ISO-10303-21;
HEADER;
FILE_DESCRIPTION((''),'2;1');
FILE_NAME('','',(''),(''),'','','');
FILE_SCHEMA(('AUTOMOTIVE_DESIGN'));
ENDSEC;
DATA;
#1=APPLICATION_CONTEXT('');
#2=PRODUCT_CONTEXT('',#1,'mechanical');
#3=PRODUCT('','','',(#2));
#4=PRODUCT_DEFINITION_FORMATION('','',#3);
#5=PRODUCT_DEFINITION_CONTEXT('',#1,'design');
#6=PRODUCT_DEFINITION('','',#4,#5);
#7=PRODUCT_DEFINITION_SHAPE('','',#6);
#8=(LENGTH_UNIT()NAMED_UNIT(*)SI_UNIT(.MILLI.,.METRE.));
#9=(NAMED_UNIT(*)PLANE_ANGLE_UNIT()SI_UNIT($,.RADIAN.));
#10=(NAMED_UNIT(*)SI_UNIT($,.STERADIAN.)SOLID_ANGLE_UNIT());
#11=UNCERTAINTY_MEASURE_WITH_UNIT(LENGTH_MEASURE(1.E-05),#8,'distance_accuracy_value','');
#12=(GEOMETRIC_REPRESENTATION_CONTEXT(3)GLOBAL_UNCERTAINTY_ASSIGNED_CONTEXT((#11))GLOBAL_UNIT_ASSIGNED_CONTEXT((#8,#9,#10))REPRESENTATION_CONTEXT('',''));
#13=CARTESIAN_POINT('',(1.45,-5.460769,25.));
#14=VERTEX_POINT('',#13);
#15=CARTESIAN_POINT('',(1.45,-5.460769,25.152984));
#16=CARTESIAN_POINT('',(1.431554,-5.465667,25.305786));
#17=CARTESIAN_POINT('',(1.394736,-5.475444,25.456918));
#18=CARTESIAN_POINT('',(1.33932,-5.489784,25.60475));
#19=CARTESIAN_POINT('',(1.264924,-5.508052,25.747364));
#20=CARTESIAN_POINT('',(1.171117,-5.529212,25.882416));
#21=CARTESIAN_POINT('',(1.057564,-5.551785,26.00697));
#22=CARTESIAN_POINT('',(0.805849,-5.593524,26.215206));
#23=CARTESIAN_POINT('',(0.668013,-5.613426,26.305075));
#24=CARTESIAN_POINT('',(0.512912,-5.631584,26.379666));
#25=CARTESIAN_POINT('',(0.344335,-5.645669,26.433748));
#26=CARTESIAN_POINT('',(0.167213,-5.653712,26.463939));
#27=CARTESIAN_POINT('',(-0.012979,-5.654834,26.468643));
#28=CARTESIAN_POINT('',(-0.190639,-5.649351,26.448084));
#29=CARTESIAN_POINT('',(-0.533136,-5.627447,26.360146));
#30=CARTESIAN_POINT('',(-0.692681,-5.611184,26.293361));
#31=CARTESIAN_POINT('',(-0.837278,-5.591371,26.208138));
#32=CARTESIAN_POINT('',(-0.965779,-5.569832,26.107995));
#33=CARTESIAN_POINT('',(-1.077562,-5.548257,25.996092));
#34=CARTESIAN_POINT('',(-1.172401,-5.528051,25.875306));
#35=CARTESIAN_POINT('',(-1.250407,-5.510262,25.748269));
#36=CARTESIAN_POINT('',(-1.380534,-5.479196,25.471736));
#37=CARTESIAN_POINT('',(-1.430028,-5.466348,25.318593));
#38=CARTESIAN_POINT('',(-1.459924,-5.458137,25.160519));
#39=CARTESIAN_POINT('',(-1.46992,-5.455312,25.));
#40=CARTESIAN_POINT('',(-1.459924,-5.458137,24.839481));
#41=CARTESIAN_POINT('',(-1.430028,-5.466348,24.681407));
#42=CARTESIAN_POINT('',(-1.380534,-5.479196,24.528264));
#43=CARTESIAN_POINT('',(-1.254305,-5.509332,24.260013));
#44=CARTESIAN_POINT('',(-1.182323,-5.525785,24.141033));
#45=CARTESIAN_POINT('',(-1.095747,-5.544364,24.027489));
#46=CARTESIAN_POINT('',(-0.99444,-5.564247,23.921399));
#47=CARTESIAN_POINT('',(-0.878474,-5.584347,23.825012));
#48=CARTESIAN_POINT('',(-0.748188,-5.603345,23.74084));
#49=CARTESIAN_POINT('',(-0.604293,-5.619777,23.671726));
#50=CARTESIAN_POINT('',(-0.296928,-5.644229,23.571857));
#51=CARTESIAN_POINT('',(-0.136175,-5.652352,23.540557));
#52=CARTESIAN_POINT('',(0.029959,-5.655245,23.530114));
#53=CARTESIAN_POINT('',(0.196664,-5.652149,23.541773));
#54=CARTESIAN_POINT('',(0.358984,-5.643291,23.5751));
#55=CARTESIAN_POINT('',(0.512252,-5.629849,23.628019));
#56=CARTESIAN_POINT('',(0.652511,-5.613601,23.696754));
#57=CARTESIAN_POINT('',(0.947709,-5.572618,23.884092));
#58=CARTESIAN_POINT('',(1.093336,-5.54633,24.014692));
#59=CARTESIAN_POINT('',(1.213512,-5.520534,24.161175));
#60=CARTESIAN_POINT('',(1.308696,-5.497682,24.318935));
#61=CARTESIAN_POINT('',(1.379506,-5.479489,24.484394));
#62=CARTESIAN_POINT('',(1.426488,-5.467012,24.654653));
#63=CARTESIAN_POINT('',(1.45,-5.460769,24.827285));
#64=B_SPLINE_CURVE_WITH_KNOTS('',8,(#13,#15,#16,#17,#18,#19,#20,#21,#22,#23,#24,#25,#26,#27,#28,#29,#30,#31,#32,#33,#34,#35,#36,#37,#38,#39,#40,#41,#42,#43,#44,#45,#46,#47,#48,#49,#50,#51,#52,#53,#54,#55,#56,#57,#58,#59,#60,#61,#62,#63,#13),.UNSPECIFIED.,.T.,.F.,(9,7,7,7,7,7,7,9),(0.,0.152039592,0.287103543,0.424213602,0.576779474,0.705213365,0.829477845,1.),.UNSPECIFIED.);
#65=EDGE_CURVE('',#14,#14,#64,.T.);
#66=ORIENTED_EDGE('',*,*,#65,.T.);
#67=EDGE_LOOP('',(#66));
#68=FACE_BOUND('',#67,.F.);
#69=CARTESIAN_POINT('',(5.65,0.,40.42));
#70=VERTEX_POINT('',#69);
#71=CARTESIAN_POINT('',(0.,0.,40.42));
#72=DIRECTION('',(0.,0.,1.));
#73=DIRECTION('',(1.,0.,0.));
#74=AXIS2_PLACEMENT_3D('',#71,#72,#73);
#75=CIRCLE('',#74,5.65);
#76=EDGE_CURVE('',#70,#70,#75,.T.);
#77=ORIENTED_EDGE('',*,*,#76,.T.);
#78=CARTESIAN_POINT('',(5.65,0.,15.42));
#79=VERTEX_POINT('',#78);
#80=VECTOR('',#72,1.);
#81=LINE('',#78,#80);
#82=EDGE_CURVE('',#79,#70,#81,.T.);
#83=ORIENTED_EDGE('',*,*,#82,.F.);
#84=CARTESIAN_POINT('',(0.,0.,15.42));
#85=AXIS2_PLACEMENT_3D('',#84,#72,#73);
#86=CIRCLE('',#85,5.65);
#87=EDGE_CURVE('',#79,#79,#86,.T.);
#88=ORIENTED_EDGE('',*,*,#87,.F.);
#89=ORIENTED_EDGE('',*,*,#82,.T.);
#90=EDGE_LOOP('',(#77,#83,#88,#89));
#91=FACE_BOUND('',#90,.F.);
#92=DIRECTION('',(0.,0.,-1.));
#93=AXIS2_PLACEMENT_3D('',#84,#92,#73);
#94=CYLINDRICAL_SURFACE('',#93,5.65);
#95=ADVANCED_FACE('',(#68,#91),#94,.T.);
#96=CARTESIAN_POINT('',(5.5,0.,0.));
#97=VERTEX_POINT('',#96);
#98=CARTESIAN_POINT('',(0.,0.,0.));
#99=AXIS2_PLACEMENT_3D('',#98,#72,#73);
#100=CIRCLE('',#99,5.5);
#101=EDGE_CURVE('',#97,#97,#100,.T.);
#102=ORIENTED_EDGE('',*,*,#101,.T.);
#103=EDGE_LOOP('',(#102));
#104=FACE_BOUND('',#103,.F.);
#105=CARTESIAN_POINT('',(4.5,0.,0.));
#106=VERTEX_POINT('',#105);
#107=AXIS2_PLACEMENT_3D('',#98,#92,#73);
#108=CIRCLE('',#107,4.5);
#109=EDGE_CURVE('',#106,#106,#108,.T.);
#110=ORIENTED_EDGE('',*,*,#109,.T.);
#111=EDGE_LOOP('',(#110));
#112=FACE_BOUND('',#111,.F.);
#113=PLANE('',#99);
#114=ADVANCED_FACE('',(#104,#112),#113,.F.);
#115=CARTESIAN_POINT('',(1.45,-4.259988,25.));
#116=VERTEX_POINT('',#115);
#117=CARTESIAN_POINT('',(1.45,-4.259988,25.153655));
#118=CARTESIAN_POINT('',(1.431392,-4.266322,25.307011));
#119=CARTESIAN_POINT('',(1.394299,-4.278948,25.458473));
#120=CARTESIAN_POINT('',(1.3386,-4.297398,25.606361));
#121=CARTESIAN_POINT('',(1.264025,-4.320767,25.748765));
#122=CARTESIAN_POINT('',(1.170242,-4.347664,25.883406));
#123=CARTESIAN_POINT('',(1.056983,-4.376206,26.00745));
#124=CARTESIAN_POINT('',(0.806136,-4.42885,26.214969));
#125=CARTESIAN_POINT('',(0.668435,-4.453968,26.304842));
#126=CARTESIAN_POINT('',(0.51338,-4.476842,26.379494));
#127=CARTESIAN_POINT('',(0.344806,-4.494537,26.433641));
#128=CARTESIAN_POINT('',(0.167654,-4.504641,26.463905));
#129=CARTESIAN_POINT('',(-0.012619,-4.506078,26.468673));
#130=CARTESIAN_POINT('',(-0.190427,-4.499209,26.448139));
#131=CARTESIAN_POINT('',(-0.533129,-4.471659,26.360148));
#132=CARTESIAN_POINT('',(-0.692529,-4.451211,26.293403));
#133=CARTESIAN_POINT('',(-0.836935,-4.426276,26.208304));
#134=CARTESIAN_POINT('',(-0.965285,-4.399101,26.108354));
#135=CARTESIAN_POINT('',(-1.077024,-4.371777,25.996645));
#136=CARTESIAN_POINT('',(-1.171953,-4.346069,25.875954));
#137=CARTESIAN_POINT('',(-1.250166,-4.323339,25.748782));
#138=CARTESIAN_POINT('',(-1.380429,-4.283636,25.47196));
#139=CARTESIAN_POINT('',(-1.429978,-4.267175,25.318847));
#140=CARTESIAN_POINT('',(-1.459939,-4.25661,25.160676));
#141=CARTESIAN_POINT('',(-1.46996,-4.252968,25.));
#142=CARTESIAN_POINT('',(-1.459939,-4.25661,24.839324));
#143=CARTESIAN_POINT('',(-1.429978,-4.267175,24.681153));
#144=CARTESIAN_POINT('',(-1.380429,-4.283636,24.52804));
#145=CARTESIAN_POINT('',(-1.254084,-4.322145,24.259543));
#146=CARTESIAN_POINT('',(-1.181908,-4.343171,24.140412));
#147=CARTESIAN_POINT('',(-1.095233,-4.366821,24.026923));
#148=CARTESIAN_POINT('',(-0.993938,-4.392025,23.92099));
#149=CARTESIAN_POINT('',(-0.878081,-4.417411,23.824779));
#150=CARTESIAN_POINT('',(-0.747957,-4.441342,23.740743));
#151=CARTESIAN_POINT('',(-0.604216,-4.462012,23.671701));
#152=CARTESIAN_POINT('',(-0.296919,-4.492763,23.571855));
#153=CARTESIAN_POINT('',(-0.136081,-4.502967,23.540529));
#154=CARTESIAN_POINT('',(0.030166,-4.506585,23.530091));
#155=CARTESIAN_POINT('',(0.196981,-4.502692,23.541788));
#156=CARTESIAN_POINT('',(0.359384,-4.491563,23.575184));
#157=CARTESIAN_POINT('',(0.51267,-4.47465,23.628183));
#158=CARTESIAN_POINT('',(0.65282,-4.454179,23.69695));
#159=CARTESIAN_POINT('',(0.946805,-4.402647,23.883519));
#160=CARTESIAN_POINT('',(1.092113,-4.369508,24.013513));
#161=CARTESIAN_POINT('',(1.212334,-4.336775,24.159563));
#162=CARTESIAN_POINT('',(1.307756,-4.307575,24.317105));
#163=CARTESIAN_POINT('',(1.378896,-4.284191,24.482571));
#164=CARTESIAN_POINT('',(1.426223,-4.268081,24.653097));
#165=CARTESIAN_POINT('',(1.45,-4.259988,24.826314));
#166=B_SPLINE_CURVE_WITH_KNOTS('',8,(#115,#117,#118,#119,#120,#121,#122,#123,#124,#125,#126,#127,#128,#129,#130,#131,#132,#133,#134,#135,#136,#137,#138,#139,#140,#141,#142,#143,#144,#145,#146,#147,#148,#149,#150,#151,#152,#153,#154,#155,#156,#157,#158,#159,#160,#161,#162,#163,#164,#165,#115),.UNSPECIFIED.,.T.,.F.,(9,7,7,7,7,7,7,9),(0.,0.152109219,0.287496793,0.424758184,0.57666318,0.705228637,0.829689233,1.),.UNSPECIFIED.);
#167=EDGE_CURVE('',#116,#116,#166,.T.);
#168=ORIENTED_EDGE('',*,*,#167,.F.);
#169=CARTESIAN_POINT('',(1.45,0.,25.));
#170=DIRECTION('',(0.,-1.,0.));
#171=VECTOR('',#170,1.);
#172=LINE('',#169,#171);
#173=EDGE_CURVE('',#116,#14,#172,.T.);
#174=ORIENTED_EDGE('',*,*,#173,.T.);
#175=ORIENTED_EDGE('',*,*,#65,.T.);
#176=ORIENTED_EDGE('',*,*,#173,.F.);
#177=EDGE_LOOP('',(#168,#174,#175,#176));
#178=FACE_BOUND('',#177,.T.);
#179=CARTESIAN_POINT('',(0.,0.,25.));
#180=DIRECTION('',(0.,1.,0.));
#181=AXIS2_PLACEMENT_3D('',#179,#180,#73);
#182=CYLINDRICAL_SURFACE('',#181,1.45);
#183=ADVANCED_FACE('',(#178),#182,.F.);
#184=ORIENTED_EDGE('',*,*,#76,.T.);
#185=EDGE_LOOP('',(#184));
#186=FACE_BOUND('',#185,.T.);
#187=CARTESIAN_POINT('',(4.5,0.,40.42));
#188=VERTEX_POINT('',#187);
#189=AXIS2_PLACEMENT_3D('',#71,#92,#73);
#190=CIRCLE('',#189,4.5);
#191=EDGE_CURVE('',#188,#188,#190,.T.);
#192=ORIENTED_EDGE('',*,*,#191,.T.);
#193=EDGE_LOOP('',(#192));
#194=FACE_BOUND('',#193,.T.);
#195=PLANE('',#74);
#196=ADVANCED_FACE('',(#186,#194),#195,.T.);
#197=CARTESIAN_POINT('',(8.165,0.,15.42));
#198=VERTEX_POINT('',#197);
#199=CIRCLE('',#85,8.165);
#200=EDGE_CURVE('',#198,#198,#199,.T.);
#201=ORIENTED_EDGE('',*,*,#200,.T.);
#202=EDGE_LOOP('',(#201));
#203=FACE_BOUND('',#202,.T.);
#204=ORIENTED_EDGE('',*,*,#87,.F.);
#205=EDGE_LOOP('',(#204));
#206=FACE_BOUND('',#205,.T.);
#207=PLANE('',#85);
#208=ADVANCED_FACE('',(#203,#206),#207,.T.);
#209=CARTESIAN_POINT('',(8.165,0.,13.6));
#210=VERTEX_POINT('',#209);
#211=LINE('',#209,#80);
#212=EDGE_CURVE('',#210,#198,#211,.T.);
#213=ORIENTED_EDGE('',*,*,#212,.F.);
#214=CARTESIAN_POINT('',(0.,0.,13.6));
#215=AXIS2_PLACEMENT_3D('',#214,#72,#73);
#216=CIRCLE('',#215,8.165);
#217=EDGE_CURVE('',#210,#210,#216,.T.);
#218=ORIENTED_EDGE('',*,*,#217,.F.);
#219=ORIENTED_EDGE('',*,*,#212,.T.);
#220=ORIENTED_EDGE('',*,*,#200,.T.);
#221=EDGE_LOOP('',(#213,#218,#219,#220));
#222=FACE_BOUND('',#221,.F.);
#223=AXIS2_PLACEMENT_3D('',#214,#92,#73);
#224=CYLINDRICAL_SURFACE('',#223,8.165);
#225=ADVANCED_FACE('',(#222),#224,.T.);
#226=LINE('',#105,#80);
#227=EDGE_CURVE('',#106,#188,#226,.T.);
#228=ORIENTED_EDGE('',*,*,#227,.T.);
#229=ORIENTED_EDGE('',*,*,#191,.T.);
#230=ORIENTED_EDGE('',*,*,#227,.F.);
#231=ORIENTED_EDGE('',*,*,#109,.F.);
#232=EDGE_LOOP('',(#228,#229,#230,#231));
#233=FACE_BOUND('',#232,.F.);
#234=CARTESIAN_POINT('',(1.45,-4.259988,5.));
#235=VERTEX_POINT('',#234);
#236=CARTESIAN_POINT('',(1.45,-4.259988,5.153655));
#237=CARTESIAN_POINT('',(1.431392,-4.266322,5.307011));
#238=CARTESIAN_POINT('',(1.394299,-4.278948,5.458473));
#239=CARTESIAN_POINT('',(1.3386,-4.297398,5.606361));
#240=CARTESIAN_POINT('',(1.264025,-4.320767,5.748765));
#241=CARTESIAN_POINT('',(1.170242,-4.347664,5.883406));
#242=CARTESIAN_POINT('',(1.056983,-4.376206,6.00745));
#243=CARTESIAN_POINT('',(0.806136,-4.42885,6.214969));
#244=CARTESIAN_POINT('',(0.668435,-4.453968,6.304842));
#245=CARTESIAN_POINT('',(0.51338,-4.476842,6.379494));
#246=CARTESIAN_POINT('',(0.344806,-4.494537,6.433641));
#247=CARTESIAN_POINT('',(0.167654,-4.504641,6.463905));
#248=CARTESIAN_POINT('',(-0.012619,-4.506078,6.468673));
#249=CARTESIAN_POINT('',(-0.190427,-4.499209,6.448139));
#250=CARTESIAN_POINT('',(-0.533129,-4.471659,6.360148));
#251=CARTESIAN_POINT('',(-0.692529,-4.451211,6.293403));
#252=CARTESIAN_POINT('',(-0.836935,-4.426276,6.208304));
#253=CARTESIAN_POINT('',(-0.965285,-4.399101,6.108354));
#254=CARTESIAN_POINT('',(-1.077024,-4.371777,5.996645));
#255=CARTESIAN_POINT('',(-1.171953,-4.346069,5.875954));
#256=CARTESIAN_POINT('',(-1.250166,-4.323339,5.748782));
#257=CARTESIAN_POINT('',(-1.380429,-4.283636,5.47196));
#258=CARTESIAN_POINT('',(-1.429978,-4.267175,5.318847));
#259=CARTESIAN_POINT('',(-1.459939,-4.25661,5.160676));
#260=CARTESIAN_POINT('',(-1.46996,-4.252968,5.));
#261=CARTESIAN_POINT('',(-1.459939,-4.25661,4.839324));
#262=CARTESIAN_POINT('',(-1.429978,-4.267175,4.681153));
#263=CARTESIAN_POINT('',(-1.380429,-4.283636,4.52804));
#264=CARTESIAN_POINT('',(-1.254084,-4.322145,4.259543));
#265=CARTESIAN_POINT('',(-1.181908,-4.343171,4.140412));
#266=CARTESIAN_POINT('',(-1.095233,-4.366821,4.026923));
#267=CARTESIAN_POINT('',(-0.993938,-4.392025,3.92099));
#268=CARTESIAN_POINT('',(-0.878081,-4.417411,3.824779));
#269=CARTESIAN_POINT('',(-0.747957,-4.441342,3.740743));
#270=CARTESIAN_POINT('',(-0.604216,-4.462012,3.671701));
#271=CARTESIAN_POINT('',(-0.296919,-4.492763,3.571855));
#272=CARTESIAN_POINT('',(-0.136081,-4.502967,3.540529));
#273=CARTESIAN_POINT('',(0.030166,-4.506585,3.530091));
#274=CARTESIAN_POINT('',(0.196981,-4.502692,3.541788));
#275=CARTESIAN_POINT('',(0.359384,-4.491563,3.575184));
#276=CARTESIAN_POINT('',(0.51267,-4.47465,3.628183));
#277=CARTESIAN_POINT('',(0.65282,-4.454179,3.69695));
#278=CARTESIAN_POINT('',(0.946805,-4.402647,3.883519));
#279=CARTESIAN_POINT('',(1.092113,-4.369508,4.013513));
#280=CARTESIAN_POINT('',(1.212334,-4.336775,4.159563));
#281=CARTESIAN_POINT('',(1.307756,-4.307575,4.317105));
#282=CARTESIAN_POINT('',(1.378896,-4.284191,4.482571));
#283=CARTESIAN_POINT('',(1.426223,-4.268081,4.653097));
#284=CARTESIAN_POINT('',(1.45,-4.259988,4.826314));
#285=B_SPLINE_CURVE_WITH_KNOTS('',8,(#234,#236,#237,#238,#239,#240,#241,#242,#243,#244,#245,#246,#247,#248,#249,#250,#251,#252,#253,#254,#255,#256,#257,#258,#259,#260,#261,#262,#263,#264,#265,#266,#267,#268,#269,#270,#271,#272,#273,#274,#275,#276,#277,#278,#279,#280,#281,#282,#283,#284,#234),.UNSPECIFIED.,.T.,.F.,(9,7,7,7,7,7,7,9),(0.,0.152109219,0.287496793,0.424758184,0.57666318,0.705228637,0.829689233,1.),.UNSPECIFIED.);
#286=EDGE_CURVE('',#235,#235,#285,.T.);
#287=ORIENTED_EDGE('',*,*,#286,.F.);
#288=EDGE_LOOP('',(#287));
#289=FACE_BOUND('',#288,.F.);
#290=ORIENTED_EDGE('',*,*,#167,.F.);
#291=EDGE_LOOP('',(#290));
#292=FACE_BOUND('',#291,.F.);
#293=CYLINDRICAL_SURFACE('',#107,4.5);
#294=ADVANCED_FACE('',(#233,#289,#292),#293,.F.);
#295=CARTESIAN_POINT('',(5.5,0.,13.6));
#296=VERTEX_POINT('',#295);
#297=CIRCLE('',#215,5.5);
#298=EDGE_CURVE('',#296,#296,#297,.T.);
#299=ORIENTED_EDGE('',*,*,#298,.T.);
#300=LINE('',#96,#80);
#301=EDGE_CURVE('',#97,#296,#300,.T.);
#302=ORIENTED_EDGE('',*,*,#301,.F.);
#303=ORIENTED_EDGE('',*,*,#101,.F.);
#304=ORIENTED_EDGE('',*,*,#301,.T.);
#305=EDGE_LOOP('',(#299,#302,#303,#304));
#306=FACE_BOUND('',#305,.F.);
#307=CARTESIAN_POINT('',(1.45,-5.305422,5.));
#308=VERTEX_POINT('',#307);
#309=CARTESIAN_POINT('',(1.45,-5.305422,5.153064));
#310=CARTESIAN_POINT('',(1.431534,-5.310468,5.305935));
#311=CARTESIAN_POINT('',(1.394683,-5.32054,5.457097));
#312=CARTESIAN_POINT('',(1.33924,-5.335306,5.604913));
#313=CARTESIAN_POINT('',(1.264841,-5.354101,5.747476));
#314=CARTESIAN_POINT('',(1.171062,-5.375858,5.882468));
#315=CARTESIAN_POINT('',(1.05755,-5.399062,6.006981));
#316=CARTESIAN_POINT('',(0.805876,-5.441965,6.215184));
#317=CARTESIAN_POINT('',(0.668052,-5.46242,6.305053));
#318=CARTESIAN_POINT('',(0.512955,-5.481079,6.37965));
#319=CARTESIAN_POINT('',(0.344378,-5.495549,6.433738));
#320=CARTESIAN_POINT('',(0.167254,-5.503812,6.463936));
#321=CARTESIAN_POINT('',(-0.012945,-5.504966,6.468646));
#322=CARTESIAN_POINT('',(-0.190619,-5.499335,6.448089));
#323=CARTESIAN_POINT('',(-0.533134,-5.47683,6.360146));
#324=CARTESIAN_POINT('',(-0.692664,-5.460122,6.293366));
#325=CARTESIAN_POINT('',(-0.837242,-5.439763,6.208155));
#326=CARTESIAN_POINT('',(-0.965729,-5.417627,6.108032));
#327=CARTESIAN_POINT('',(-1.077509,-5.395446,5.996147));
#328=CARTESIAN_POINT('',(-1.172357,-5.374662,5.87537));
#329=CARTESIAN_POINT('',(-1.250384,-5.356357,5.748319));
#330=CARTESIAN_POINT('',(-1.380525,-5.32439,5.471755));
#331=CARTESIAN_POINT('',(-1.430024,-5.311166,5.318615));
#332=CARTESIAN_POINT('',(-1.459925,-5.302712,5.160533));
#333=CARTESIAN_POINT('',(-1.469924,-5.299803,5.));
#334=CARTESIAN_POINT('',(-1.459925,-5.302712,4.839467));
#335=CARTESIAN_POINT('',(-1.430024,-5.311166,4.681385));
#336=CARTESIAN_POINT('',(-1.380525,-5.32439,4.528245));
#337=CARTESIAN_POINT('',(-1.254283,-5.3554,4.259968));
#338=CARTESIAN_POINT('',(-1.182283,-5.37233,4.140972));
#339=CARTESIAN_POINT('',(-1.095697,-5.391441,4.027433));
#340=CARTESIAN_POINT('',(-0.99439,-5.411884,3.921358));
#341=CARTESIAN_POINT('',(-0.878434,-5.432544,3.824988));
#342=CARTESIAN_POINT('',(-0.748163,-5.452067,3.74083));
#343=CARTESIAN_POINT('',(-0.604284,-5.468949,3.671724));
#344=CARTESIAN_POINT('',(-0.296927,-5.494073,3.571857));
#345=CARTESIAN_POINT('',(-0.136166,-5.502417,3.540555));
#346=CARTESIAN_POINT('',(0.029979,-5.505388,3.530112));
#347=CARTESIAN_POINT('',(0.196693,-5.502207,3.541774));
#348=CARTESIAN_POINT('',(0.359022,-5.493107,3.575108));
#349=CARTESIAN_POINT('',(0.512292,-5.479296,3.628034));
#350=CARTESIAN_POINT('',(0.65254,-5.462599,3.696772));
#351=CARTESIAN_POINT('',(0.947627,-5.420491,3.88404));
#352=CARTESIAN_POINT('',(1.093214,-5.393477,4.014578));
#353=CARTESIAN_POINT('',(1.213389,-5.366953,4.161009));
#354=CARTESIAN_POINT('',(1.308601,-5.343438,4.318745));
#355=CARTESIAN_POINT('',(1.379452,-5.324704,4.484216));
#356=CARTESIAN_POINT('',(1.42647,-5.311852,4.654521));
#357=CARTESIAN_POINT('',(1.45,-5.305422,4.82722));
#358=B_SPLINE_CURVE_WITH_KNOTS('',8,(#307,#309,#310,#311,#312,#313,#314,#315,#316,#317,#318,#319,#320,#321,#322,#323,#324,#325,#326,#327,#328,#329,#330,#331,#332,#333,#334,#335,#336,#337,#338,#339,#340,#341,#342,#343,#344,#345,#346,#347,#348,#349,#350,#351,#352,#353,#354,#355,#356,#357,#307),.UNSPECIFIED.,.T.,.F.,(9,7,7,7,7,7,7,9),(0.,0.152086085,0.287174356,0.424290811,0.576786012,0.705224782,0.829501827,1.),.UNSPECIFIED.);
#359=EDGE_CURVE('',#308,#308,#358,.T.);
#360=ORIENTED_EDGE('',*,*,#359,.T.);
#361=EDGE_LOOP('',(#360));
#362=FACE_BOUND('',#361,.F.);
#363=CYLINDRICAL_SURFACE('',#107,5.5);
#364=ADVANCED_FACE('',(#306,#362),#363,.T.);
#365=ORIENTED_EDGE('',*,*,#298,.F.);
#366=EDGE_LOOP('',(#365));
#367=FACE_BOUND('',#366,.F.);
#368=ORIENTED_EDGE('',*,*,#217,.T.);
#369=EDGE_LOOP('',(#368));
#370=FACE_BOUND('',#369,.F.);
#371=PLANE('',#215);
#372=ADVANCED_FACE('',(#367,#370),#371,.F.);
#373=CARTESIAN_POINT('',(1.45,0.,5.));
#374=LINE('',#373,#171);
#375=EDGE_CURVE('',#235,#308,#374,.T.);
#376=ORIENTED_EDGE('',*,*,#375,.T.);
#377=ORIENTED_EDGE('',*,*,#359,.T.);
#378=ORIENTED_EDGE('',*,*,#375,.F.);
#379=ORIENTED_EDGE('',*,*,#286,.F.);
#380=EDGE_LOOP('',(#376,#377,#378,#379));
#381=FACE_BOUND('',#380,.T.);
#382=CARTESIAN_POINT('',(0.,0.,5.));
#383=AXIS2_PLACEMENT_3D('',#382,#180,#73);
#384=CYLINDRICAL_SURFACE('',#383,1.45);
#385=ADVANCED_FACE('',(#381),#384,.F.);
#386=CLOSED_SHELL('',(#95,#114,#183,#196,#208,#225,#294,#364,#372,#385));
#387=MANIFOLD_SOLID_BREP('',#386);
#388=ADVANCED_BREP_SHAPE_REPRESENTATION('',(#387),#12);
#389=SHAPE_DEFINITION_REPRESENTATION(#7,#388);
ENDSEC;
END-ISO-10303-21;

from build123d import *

# Parameters (mm, degrees)
F0_R     = 5.5
F1_DEPTH = 13.6
F2_R     = 8.165
F3_DEPTH = 1.82
F4_R     = 5.65
F5_DEPTH = 25
F6_R     = 4.5
F7_DEPTH = 40.421
F8_R     = 1.45
F9_DEPTH = 12


with BuildPart() as f1:
    # F0 (on Top) → F1 (new body)
    with BuildSketch(Plane.XY):
        Circle(F0_R)
    extrude(amount=F1_DEPTH)

    # F2 (on face) → F3 (join)
    with BuildSketch(Plane.XY.offset(13.6)):
        Circle(F2_R)
    extrude(amount=F3_DEPTH)

    # F4 (on face) → F5 (join)
    with BuildSketch(Plane.XY.offset(15.42)):
        Circle(F4_R)
    extrude(amount=F5_DEPTH)

    # F6 (on face) → F7 (cut, through all)
    with BuildSketch(Plane(origin=(0, 0, 0), x_dir=(1, 0, 0), z_dir=(0, 0, -1))):
        Circle(F6_R)
    extrude(amount=-F7_DEPTH, mode=Mode.SUBTRACT)

    # F8 (on Front) → F9 (cut)
    with BuildSketch(Plane.XZ):
        with Locations((0, 25)):
            Circle(F8_R)
        with Locations((0, 5)):
            Circle(F8_R)
    extrude(amount=F9_DEPTH, mode=Mode.SUBTRACT)


solid = f1.part
